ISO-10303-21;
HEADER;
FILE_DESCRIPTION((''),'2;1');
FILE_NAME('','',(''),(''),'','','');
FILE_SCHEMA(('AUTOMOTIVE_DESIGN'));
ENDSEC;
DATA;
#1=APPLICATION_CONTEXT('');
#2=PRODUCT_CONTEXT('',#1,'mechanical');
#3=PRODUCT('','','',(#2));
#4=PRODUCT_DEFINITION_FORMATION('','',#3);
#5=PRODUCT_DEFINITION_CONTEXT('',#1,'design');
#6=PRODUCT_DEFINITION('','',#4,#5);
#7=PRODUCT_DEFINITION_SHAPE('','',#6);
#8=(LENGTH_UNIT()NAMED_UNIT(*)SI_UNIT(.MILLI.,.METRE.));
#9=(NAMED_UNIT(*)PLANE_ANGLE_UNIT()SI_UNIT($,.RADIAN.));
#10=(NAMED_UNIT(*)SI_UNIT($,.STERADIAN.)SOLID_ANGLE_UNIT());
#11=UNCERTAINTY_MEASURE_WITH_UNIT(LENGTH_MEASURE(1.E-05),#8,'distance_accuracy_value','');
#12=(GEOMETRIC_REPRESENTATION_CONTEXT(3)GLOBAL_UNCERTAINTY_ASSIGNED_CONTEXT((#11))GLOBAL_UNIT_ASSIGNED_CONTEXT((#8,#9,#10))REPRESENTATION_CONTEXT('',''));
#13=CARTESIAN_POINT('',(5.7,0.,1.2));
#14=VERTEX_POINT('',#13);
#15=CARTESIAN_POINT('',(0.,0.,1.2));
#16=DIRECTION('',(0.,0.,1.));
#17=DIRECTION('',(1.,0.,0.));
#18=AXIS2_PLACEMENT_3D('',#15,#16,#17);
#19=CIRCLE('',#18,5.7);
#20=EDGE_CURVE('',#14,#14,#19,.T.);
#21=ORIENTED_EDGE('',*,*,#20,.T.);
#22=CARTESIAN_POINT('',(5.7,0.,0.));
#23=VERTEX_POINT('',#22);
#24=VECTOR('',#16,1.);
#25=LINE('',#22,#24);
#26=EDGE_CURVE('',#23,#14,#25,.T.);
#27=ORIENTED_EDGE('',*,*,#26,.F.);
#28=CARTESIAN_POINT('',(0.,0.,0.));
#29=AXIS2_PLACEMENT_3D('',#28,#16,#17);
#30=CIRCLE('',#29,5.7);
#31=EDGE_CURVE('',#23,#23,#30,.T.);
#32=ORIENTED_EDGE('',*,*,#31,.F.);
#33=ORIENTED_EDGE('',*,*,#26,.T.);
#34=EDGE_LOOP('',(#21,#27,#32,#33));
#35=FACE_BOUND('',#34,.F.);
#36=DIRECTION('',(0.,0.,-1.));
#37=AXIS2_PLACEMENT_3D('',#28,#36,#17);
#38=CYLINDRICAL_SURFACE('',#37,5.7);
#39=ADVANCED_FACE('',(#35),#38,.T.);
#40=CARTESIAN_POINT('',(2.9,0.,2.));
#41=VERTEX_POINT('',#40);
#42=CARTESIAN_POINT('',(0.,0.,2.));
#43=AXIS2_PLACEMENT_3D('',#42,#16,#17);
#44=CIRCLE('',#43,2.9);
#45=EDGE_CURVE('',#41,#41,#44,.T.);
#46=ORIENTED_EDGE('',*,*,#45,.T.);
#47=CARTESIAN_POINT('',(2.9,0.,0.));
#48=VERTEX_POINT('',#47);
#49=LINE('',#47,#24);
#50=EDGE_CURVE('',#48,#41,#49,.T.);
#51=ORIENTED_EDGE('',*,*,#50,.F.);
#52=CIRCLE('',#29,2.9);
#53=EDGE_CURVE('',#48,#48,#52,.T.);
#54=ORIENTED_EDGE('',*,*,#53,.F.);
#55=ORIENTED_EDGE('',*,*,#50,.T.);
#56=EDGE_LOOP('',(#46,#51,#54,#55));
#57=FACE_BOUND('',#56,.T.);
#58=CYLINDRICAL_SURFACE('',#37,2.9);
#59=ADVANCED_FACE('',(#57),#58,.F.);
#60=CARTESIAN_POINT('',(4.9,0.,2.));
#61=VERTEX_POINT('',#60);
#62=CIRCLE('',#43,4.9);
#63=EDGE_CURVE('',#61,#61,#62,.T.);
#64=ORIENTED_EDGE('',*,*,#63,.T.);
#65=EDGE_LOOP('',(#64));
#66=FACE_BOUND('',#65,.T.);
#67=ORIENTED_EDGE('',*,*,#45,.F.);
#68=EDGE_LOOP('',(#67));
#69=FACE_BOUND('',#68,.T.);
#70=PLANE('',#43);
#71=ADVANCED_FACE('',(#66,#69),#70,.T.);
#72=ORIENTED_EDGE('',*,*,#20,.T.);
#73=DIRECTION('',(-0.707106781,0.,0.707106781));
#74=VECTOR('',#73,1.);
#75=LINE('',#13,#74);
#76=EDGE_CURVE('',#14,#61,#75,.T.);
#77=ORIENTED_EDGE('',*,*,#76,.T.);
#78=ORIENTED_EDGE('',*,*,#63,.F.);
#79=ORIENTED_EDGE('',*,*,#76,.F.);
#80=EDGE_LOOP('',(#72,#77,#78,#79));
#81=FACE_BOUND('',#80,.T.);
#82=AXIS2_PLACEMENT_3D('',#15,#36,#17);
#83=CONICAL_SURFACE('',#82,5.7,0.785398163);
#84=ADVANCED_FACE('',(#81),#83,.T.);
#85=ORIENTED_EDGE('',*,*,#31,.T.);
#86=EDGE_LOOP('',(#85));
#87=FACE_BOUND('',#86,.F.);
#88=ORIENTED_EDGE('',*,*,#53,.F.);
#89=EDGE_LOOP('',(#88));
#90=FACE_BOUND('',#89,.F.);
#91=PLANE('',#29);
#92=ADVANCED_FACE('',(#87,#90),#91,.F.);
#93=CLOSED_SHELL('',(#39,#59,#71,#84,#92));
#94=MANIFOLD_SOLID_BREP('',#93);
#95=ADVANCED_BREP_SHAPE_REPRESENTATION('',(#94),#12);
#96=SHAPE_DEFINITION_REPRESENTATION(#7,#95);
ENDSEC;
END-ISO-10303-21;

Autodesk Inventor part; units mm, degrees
ref_plane "YZ Plane" through (0, 0, 0) normal (1, 0, 0) x (0, 1, 0)
ref_plane "XZ Plane" through (0, 0, 0) normal (0, 1, 0) x (-1, 0, 0)
ref_plane "XY Plane" through (0, 0, 0) normal (0, 0, 1) x (1, 0, 0)
sketch "Sketch1" plane through (0, 0, 0) normal (0, 0, 1) x (1, 0, 0)
  circle A0 centre (0, 0) radius 5.7
  dimension "d0" = 11.4
extrude "Extrusion1" add sketch "Sketch1" along normal blind 2
chamfer "Chamfer1" distance 0.8 angle 45 1 edges at (-5.7, 0, 2)
sketch "Sketch2" plane through (0, 0, 0) normal (0, 0, 1) x (1, 0, 0)
  circle A0 centre (0, 0) radius 2.9
  dimension "d6" = 5.8
extrude "Extrusion2" cut sketch "Sketch2" along normal up to surface (2 mm away)
properties part number "Insert2mm"
